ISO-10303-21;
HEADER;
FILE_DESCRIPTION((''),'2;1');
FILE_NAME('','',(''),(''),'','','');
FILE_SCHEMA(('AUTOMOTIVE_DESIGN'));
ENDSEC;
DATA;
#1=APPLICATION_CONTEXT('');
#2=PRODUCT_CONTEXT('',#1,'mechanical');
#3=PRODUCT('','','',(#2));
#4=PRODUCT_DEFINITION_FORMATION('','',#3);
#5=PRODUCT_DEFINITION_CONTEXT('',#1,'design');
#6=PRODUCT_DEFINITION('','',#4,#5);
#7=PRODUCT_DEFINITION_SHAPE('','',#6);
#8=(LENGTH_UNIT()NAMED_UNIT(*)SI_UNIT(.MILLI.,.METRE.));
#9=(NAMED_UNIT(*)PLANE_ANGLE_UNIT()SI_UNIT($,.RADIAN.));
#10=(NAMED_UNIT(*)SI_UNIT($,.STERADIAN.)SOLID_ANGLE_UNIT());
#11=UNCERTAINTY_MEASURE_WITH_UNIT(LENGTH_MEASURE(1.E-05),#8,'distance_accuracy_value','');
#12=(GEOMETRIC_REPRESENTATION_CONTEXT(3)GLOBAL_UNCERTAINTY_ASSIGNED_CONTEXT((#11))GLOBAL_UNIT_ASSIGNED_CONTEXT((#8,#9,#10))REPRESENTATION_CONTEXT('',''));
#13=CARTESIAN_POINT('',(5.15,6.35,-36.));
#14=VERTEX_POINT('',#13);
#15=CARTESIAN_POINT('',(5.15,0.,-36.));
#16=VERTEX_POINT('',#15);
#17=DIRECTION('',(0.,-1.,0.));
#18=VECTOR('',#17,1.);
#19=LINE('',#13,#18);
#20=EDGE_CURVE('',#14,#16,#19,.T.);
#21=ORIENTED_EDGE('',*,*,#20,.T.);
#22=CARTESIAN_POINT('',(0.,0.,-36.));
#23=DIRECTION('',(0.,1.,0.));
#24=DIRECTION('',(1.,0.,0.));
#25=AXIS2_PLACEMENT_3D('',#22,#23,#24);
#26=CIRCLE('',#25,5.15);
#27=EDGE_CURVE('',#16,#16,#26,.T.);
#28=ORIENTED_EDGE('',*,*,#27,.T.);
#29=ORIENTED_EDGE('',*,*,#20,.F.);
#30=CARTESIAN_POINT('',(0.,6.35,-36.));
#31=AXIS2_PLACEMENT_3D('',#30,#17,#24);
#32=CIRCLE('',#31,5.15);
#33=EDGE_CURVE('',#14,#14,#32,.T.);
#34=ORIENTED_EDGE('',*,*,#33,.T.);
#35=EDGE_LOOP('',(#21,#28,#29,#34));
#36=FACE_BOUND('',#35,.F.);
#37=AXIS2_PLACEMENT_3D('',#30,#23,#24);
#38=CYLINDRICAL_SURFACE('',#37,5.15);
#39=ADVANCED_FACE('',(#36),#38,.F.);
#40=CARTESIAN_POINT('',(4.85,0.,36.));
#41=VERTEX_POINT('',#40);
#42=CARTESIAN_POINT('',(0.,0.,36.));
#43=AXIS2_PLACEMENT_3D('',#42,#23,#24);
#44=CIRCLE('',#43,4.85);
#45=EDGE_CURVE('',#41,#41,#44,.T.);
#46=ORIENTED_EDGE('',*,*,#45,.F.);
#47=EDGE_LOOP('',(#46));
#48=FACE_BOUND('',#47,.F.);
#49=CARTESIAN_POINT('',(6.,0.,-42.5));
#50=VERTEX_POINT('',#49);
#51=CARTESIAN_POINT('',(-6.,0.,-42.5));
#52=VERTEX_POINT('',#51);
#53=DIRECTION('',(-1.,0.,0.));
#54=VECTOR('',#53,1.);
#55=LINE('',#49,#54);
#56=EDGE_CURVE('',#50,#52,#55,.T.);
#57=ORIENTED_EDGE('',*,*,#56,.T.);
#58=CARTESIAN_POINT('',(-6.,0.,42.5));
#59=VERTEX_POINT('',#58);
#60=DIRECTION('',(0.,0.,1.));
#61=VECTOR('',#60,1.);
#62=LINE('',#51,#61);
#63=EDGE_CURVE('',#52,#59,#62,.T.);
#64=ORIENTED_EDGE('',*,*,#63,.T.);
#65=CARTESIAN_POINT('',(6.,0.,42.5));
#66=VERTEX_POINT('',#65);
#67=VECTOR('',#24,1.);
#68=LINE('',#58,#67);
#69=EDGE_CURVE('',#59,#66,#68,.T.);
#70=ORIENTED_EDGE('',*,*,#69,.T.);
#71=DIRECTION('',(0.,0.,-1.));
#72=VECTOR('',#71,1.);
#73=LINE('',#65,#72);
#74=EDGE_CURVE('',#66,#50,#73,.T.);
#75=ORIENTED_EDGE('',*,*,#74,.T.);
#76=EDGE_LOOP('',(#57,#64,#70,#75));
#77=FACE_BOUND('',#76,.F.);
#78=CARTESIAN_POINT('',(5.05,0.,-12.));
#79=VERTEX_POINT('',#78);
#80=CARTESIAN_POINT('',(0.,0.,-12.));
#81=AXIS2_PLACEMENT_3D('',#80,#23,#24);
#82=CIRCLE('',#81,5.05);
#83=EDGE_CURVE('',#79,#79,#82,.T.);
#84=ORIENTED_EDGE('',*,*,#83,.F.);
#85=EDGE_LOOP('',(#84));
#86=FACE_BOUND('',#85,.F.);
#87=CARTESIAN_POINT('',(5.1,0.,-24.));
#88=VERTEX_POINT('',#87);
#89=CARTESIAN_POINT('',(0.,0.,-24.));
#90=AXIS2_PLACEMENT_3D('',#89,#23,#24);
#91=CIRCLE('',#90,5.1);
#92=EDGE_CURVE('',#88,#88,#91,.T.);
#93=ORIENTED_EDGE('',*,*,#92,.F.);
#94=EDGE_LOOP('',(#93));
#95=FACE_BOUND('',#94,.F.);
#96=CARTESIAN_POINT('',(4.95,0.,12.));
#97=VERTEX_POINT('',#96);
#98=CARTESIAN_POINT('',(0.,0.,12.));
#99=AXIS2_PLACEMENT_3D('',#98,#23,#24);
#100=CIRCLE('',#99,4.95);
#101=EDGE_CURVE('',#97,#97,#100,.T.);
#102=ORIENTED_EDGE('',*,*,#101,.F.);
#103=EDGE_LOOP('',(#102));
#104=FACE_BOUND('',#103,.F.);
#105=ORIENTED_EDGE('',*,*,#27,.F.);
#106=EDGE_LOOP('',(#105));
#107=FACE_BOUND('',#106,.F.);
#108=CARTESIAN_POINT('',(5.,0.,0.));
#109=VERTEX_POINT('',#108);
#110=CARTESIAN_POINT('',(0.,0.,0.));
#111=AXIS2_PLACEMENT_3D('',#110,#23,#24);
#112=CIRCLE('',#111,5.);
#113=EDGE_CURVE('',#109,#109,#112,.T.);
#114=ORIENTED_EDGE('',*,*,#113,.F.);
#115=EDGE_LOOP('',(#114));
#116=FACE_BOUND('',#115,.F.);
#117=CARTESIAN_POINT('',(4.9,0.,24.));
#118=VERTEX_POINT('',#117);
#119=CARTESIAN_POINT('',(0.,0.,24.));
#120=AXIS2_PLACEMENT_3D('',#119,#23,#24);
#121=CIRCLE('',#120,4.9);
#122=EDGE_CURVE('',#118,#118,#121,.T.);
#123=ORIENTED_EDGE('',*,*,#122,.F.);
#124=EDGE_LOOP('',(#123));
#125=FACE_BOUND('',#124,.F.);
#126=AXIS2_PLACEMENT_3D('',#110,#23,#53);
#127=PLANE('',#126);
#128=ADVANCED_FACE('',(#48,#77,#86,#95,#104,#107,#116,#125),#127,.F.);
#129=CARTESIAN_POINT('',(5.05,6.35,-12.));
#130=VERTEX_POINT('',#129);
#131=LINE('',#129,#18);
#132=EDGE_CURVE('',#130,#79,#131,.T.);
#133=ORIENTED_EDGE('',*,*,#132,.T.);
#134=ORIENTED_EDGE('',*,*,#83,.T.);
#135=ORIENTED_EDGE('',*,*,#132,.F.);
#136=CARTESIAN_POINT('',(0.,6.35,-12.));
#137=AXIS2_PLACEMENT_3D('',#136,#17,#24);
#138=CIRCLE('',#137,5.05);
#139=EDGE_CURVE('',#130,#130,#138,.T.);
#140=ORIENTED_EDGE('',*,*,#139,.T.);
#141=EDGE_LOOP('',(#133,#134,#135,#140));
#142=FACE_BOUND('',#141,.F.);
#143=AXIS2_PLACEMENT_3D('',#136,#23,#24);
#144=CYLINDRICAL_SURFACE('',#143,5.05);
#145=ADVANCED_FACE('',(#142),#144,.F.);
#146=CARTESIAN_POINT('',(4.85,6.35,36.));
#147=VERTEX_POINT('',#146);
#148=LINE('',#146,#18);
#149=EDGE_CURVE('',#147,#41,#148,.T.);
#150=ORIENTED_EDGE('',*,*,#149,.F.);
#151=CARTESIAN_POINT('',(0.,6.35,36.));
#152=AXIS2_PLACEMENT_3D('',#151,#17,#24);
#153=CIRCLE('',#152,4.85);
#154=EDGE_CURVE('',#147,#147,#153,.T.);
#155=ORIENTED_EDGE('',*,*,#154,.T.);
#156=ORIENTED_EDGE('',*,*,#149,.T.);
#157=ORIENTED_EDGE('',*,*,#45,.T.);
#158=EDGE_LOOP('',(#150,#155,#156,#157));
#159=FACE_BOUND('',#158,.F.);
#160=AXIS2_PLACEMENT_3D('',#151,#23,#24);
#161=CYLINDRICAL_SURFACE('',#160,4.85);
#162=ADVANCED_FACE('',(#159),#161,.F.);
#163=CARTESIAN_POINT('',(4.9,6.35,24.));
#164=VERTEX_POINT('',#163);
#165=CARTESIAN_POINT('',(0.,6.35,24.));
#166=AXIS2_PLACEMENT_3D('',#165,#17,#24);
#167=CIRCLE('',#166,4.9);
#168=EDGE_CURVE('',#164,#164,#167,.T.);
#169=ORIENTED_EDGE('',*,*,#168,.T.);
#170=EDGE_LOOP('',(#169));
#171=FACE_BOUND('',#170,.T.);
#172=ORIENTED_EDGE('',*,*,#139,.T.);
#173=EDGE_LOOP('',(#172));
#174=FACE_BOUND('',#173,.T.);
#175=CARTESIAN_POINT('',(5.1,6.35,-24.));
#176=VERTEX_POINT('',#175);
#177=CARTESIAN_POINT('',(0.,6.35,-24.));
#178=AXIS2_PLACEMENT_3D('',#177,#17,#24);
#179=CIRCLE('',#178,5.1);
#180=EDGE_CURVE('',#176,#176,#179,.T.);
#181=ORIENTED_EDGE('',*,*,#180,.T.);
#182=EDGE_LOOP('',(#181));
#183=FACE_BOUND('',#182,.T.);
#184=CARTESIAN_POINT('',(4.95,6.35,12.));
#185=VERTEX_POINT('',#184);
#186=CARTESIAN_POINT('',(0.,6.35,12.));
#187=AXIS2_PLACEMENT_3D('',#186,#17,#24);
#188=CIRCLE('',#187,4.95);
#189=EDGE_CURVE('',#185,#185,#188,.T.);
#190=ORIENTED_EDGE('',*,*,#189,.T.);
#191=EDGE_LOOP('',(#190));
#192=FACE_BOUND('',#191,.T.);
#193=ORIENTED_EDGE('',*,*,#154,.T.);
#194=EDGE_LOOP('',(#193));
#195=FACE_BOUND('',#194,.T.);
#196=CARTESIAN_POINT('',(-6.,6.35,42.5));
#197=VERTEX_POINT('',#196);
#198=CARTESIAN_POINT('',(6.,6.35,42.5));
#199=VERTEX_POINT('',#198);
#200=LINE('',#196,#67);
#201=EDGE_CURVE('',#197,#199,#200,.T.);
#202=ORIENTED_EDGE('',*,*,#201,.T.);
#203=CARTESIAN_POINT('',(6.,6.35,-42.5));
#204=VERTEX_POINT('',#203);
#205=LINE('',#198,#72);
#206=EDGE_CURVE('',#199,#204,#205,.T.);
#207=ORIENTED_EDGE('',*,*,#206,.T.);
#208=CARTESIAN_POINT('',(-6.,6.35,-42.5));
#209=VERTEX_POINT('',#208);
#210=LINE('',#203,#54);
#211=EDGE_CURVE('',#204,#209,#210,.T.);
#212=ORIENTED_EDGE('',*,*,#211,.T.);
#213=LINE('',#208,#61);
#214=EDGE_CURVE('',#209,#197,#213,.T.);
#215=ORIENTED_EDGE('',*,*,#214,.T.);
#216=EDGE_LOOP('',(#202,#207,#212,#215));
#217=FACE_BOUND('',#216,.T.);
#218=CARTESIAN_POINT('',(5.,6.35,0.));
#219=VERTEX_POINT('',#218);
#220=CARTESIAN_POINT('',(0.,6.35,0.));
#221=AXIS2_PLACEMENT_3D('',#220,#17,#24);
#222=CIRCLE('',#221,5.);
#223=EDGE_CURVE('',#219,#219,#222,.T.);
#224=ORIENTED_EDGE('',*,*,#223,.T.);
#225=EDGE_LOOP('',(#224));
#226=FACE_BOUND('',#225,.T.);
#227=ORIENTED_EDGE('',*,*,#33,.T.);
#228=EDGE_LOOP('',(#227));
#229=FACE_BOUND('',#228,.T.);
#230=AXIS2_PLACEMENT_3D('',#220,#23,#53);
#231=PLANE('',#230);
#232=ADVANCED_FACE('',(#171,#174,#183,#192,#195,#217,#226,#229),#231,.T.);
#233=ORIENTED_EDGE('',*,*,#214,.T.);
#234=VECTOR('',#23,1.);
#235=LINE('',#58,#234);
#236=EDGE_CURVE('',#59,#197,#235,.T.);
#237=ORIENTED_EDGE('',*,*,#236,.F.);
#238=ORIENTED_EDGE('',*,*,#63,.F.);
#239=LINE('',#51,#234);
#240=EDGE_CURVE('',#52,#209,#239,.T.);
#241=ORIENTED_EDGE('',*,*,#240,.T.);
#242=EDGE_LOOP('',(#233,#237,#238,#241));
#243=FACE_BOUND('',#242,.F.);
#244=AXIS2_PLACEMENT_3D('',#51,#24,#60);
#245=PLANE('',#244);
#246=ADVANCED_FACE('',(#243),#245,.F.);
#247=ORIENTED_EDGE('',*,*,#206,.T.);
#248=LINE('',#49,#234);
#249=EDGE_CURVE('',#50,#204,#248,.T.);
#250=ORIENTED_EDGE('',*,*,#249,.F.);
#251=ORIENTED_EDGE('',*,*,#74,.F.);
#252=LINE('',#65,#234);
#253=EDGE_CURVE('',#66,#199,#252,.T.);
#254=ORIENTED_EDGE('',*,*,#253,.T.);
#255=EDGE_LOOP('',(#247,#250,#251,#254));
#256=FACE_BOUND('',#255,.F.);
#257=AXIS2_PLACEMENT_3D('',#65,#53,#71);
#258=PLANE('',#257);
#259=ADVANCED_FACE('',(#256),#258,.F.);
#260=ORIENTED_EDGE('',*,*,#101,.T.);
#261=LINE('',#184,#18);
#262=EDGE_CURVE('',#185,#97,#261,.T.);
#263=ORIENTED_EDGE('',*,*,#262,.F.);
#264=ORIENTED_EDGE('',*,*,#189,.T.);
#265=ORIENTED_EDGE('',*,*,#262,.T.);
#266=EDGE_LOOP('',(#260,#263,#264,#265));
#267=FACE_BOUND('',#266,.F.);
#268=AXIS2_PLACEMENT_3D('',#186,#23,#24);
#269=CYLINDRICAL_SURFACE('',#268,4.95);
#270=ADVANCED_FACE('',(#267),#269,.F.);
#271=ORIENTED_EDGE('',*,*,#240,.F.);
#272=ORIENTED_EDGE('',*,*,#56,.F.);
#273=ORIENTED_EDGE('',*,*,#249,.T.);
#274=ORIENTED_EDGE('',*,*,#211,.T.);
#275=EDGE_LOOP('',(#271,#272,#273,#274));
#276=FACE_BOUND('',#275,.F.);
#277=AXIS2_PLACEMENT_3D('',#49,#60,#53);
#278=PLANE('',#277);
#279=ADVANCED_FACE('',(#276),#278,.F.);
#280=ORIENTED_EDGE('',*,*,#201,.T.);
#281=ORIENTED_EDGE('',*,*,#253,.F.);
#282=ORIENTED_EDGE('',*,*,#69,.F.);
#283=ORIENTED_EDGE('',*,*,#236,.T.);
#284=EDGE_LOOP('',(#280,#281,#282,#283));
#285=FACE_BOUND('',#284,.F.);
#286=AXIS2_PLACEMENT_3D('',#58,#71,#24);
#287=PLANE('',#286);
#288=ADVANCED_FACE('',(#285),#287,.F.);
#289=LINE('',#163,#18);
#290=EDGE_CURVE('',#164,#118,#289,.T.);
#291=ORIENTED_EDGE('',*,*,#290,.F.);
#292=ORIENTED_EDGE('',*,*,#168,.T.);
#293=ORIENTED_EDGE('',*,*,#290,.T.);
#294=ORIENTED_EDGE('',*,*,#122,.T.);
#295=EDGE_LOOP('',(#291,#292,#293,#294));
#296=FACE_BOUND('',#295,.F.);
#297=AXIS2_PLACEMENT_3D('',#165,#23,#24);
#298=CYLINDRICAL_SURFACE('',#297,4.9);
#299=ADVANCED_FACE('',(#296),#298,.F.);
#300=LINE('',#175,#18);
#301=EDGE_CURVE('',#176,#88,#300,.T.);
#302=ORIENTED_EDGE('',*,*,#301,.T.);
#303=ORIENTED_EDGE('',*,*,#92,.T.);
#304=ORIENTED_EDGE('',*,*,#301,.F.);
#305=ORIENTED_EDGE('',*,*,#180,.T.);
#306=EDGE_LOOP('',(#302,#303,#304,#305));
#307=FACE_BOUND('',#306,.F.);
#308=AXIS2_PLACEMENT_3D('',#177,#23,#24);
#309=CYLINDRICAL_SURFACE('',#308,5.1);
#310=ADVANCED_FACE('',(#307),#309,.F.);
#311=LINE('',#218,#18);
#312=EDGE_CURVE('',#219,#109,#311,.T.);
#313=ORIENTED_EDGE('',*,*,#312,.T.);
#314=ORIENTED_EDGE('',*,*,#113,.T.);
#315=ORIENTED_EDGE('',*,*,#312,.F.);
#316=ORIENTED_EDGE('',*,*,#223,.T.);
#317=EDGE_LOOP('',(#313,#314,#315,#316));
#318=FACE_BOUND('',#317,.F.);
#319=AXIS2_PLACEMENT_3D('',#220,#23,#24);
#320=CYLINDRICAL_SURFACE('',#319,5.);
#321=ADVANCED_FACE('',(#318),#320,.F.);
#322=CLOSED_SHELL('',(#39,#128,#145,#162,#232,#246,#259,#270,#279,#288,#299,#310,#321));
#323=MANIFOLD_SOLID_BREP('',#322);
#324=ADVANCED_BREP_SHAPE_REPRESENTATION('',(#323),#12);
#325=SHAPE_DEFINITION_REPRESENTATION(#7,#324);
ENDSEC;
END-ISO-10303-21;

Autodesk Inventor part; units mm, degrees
ref_plane "YZ Plane" through (0, 0, 0) normal (1, 0, 0) x (0, 1, 0)
ref_plane "XZ Plane" through (0, 0, 0) normal (0, 1, 0) x (-1, 0, 0)
ref_plane "XY Plane" through (0, 0, 0) normal (0, 0, 1) x (1, 0, 0)
sketch "Sketch1" plane through (0, 0, 0) normal (0, 1, 0) x (-1, 0, 0)
  line L0 (-6, -42.5) -> (6, -42.5)
  line L1 (6, -42.5) -> (6, 42.5)
  line L2 (6, 42.5) -> (-6, 42.5)
  line L3 (-6, 42.5) -> (-6, -42.5)
  line L4 (-6, -42.5) -> (6, 42.5) construction
  line L5 (6, -42.5) -> (-6, 42.5) construction
  point P0 (0, 0)
  point P1 (0, 0)
  dimension "d6" = 12
  dimension "d7" = 85
extrude "Extrusion1" add sketch "Sketch1" along normal blind 6.35
sketch "Sketch2" plane through (0, 6.35, 0) normal (0, 1, 0) x (1, 0, 0)
  circle A0 centre (0, -36) radius 4.85
  line L0 (0, -55.0438) -> (0, 59.6363)
  circle A1 centre (0, -24) radius 4.9
  circle A2 centre (0, -12) radius 4.95
  circle A3 centre (0, 0) radius 5
  circle A4 centre (0, 12) radius 5.05
  circle A5 centre (0, 24) radius 5.1
  circle A6 centre (0, 36) radius 5.15
  point P0 (0, 0)
  dimension "d10" = 9.7
  dimension "d11" = 9.8
  dimension "d12" = 9.9
  dimension "d13" = 10
  dimension "d14" = 10.1
  dimension "d15" = 10.2
  dimension "d16" = 12
  dimension "d17" = 12
  dimension "d18" = 12
  dimension "d19" = 12
  dimension "d20" = 12
  dimension "d21" = 10.3
  dimension "d22" = 12
extrude "Extrusion2" cut sketch "Sketch2" against normal up to surface (6.35 mm away)
equation "\"d17\" = d16"
equation "\"d18\" = d16"
equation "\"d19\" = d16"
equation "\"d20\" = d16"
equation "\"d22\" = d16"
properties part number "hole_test"
